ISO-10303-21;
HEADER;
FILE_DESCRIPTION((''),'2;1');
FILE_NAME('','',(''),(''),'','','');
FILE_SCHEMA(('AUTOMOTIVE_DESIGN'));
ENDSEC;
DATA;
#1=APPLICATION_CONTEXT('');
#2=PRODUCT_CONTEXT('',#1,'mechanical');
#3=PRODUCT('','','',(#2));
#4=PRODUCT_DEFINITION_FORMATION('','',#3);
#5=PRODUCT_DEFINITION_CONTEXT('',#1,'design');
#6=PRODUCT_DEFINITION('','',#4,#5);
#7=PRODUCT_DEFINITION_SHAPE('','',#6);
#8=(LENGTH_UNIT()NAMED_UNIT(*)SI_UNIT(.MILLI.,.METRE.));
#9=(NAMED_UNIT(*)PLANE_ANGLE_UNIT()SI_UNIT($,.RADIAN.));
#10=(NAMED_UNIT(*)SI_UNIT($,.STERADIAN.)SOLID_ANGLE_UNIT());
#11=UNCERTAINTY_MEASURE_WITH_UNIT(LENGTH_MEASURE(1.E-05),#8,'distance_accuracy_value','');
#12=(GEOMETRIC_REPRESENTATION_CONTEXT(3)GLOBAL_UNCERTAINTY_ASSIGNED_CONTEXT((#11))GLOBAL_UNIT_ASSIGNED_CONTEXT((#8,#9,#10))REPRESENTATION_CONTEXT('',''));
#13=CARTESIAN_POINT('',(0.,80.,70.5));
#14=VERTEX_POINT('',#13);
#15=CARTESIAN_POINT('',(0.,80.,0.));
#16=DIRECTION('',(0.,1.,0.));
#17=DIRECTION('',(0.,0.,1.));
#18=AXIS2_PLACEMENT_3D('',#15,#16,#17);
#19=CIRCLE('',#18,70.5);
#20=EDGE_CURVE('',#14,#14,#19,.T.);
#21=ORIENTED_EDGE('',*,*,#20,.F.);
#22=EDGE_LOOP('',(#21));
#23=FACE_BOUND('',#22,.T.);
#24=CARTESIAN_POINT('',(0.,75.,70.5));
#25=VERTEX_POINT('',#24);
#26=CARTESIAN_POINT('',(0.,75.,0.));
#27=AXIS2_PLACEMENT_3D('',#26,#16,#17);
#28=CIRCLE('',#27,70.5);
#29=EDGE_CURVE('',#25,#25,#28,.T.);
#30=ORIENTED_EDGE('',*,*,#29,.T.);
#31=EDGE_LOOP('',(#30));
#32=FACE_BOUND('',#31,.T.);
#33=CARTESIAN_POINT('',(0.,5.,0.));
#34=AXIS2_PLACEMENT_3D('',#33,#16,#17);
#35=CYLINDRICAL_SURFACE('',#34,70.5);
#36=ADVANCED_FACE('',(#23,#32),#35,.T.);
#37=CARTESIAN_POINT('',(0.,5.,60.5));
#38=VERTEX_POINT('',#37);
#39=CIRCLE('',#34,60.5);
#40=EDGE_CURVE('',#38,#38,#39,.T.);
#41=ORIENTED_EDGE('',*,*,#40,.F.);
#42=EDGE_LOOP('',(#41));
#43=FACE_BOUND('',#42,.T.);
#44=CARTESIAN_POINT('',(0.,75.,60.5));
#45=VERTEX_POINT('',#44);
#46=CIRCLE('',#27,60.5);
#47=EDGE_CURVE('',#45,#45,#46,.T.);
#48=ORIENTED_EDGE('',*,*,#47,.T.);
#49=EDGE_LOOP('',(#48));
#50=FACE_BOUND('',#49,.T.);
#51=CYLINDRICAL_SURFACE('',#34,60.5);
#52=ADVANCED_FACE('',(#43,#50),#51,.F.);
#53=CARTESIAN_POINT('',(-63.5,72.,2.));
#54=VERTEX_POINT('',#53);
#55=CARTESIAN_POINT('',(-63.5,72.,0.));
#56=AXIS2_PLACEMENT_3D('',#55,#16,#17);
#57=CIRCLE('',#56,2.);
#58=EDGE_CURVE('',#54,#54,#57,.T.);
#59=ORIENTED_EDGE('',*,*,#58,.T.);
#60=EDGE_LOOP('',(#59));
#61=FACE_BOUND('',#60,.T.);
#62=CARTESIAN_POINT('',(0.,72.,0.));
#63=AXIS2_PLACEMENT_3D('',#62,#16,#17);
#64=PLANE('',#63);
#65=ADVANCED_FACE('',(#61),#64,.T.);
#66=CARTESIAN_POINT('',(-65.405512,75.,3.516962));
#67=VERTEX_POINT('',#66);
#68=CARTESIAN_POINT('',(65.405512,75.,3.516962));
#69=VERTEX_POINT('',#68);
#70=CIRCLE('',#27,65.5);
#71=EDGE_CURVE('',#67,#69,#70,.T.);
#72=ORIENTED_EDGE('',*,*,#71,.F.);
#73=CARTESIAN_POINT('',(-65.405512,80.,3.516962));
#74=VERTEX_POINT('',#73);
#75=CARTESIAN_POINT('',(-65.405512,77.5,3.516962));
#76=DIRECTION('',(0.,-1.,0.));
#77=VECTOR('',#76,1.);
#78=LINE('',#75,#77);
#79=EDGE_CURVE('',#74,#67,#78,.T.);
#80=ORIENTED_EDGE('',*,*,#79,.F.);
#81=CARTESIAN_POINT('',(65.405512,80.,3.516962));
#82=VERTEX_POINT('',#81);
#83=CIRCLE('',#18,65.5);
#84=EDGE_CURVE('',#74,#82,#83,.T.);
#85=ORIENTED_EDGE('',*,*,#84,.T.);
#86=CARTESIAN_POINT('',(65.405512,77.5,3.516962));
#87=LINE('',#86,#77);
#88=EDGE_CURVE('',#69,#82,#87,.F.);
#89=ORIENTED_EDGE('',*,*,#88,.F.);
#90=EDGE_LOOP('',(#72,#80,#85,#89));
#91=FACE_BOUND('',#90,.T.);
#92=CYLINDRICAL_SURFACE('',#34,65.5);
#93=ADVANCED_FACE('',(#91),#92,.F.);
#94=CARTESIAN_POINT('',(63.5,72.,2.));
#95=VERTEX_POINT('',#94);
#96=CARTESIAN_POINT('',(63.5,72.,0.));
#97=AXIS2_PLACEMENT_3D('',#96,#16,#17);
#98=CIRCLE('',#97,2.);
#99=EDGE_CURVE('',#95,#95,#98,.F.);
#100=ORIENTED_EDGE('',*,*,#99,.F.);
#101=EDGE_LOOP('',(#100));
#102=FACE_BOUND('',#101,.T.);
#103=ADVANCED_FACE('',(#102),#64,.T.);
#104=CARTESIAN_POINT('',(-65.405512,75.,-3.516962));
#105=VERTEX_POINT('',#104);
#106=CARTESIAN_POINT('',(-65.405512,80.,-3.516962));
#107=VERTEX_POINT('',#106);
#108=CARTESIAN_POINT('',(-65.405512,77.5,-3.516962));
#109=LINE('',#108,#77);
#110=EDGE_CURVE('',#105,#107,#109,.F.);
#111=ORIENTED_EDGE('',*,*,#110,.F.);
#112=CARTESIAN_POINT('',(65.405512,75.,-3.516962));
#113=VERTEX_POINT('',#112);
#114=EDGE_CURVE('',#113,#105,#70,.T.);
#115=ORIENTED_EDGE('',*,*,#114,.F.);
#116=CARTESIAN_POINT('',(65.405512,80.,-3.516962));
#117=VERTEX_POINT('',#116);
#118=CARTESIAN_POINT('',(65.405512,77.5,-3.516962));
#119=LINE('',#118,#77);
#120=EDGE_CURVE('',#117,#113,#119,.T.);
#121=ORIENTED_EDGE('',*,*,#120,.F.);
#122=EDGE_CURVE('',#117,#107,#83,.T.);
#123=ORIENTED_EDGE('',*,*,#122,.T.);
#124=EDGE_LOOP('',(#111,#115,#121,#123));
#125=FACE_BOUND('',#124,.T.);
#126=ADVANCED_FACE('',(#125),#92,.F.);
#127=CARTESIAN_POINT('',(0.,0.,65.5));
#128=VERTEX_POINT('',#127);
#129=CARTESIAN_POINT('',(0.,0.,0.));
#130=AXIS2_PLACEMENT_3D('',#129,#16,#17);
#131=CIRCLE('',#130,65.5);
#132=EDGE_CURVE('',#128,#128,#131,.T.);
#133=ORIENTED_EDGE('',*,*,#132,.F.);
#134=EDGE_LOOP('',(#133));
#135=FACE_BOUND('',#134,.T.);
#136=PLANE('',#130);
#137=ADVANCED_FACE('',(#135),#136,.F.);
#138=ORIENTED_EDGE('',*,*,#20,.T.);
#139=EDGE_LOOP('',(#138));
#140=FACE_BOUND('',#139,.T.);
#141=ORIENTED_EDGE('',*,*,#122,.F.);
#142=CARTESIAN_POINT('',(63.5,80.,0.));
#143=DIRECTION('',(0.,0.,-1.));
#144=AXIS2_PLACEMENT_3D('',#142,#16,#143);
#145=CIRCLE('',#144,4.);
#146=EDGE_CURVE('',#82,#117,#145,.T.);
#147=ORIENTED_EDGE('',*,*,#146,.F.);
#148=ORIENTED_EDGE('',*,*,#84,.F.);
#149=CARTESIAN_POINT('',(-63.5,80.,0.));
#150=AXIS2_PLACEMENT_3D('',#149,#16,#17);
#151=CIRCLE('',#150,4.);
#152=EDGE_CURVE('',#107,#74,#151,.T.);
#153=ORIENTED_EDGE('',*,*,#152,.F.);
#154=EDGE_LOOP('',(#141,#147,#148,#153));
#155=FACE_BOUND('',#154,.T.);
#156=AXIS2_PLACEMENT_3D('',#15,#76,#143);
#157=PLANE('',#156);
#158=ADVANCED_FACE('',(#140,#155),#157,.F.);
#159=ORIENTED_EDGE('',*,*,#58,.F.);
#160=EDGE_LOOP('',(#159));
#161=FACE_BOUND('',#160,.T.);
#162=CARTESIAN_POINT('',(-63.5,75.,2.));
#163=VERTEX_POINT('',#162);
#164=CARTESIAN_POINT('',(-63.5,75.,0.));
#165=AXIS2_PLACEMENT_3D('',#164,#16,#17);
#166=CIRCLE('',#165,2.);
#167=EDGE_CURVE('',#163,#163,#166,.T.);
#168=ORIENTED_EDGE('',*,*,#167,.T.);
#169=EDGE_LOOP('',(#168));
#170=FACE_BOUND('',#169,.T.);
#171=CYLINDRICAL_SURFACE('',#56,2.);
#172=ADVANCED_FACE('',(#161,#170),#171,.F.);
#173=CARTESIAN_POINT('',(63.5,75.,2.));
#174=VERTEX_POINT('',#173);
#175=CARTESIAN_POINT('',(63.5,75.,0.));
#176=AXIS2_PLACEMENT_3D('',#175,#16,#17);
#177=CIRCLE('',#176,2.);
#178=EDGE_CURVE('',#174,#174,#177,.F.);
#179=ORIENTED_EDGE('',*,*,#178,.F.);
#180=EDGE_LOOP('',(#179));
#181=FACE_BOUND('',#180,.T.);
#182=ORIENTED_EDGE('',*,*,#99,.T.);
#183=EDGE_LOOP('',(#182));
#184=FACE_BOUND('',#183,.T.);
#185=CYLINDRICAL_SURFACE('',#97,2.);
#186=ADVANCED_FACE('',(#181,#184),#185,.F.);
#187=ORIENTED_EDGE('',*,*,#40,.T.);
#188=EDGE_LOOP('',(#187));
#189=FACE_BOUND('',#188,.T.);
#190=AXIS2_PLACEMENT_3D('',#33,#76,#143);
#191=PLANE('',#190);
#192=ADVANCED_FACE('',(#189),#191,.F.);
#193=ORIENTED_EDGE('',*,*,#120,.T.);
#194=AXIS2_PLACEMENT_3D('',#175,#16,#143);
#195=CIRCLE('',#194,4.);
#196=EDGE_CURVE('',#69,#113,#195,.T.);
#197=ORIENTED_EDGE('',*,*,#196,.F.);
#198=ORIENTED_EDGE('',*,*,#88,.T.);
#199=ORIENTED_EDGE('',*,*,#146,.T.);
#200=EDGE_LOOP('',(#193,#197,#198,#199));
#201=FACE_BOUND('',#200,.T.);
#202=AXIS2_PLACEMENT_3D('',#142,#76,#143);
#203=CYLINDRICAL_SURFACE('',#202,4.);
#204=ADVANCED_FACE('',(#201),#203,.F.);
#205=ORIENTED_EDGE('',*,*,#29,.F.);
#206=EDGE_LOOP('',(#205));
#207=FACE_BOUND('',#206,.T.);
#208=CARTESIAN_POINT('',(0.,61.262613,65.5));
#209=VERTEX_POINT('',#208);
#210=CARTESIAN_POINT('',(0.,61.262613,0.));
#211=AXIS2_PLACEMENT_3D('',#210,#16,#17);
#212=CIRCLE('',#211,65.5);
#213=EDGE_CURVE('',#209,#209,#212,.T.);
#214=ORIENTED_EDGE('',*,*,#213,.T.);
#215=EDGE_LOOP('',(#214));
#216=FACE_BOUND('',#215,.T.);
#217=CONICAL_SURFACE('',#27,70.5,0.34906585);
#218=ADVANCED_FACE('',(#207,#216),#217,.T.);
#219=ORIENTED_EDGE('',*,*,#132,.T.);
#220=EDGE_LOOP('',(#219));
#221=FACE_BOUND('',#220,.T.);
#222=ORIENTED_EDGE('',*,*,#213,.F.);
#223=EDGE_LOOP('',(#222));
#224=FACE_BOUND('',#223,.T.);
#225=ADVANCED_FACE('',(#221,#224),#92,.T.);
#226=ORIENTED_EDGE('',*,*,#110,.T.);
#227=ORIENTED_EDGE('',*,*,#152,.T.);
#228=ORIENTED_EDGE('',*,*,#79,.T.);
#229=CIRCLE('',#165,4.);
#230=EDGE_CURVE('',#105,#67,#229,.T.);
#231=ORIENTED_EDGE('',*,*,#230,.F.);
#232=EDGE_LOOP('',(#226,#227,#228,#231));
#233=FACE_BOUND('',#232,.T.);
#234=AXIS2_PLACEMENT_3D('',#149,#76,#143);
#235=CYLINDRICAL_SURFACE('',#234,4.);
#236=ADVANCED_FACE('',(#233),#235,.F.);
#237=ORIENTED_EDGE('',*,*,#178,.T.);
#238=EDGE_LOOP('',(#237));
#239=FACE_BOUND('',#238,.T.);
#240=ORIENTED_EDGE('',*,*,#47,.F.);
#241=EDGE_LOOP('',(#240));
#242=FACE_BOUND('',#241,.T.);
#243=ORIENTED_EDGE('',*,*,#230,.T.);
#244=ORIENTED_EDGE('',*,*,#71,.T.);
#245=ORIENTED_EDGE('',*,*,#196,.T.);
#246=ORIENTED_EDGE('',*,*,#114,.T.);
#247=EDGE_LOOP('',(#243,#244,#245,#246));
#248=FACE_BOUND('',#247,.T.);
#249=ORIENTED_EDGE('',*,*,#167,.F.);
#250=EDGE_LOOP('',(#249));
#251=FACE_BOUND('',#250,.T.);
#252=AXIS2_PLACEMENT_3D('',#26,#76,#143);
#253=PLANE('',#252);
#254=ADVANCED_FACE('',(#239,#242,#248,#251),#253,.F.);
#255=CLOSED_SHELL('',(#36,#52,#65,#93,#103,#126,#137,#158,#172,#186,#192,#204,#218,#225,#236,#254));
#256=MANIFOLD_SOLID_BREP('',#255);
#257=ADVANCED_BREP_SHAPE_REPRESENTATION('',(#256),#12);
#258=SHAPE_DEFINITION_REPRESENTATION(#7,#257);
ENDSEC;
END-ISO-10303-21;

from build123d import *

# Parameters (mm, degrees)
SKETCH2_R          = 4
SKETCH2_R_2        = 2
CUT_EXTRUDE1_DEPTH = 125.761772992
SKETCH2_4_R        = 2
CUT_EXTRUDE3_DEPTH = 3


with BuildPart() as part:
    # Sketch1 → Revolve1 (revolve)
    with BuildSketch(Plane.XY):
        Polygon((-65.5, 0), (0, 0), (0, 5), (-60.5, 5), (-60.5, 75), (-65.5, 75), (-65.5, 80), (-70.5, 80), (-70.5, 75), (-65.5, 61.262612903), align=None)
    revolve(axis=Axis((0, 5, 0), (0, -1, 0)))

    # Sketch2 → Cut-Extrude1 (cut, through all)
    # profile 1 of 2: a face of its own
    with BuildSketch(Plane(origin=(0, 75, 0), x_dir=(1, 0, 0), z_dir=(0, 1, 0))):
        with Locations((-63.5, 0)):
            Circle(SKETCH2_R)
        with Locations((-63.5, 0)):
            Circle(SKETCH2_R_2, mode=Mode.SUBTRACT)
    # profile 2 of 2: a face of its own
    with BuildSketch(Plane(origin=(0, 75, 0), x_dir=(1, 0, 0), z_dir=(0, 1, 0))):
        with Locations((63.5, 0)):
            Circle(SKETCH2_R)
        with Locations((63.5, 0)):
            Circle(SKETCH2_R_2, mode=Mode.SUBTRACT)
    extrude(amount=CUT_EXTRUDE1_DEPTH, mode=Mode.SUBTRACT)

    # Sketch2<4> → Cut-Extrude3 (cut)
    with BuildSketch(Plane(origin=(0, 75, 0), x_dir=(1, 0, 0), z_dir=(0, 1, 0))):
        with Locations((-63.5, 0)):
            Circle(SKETCH2_4_R)
        with Locations((63.5, 0)):
            Circle(SKETCH2_4_R)
    extrude(amount=-CUT_EXTRUDE3_DEPTH, mode=Mode.SUBTRACT)


solid = part.part
